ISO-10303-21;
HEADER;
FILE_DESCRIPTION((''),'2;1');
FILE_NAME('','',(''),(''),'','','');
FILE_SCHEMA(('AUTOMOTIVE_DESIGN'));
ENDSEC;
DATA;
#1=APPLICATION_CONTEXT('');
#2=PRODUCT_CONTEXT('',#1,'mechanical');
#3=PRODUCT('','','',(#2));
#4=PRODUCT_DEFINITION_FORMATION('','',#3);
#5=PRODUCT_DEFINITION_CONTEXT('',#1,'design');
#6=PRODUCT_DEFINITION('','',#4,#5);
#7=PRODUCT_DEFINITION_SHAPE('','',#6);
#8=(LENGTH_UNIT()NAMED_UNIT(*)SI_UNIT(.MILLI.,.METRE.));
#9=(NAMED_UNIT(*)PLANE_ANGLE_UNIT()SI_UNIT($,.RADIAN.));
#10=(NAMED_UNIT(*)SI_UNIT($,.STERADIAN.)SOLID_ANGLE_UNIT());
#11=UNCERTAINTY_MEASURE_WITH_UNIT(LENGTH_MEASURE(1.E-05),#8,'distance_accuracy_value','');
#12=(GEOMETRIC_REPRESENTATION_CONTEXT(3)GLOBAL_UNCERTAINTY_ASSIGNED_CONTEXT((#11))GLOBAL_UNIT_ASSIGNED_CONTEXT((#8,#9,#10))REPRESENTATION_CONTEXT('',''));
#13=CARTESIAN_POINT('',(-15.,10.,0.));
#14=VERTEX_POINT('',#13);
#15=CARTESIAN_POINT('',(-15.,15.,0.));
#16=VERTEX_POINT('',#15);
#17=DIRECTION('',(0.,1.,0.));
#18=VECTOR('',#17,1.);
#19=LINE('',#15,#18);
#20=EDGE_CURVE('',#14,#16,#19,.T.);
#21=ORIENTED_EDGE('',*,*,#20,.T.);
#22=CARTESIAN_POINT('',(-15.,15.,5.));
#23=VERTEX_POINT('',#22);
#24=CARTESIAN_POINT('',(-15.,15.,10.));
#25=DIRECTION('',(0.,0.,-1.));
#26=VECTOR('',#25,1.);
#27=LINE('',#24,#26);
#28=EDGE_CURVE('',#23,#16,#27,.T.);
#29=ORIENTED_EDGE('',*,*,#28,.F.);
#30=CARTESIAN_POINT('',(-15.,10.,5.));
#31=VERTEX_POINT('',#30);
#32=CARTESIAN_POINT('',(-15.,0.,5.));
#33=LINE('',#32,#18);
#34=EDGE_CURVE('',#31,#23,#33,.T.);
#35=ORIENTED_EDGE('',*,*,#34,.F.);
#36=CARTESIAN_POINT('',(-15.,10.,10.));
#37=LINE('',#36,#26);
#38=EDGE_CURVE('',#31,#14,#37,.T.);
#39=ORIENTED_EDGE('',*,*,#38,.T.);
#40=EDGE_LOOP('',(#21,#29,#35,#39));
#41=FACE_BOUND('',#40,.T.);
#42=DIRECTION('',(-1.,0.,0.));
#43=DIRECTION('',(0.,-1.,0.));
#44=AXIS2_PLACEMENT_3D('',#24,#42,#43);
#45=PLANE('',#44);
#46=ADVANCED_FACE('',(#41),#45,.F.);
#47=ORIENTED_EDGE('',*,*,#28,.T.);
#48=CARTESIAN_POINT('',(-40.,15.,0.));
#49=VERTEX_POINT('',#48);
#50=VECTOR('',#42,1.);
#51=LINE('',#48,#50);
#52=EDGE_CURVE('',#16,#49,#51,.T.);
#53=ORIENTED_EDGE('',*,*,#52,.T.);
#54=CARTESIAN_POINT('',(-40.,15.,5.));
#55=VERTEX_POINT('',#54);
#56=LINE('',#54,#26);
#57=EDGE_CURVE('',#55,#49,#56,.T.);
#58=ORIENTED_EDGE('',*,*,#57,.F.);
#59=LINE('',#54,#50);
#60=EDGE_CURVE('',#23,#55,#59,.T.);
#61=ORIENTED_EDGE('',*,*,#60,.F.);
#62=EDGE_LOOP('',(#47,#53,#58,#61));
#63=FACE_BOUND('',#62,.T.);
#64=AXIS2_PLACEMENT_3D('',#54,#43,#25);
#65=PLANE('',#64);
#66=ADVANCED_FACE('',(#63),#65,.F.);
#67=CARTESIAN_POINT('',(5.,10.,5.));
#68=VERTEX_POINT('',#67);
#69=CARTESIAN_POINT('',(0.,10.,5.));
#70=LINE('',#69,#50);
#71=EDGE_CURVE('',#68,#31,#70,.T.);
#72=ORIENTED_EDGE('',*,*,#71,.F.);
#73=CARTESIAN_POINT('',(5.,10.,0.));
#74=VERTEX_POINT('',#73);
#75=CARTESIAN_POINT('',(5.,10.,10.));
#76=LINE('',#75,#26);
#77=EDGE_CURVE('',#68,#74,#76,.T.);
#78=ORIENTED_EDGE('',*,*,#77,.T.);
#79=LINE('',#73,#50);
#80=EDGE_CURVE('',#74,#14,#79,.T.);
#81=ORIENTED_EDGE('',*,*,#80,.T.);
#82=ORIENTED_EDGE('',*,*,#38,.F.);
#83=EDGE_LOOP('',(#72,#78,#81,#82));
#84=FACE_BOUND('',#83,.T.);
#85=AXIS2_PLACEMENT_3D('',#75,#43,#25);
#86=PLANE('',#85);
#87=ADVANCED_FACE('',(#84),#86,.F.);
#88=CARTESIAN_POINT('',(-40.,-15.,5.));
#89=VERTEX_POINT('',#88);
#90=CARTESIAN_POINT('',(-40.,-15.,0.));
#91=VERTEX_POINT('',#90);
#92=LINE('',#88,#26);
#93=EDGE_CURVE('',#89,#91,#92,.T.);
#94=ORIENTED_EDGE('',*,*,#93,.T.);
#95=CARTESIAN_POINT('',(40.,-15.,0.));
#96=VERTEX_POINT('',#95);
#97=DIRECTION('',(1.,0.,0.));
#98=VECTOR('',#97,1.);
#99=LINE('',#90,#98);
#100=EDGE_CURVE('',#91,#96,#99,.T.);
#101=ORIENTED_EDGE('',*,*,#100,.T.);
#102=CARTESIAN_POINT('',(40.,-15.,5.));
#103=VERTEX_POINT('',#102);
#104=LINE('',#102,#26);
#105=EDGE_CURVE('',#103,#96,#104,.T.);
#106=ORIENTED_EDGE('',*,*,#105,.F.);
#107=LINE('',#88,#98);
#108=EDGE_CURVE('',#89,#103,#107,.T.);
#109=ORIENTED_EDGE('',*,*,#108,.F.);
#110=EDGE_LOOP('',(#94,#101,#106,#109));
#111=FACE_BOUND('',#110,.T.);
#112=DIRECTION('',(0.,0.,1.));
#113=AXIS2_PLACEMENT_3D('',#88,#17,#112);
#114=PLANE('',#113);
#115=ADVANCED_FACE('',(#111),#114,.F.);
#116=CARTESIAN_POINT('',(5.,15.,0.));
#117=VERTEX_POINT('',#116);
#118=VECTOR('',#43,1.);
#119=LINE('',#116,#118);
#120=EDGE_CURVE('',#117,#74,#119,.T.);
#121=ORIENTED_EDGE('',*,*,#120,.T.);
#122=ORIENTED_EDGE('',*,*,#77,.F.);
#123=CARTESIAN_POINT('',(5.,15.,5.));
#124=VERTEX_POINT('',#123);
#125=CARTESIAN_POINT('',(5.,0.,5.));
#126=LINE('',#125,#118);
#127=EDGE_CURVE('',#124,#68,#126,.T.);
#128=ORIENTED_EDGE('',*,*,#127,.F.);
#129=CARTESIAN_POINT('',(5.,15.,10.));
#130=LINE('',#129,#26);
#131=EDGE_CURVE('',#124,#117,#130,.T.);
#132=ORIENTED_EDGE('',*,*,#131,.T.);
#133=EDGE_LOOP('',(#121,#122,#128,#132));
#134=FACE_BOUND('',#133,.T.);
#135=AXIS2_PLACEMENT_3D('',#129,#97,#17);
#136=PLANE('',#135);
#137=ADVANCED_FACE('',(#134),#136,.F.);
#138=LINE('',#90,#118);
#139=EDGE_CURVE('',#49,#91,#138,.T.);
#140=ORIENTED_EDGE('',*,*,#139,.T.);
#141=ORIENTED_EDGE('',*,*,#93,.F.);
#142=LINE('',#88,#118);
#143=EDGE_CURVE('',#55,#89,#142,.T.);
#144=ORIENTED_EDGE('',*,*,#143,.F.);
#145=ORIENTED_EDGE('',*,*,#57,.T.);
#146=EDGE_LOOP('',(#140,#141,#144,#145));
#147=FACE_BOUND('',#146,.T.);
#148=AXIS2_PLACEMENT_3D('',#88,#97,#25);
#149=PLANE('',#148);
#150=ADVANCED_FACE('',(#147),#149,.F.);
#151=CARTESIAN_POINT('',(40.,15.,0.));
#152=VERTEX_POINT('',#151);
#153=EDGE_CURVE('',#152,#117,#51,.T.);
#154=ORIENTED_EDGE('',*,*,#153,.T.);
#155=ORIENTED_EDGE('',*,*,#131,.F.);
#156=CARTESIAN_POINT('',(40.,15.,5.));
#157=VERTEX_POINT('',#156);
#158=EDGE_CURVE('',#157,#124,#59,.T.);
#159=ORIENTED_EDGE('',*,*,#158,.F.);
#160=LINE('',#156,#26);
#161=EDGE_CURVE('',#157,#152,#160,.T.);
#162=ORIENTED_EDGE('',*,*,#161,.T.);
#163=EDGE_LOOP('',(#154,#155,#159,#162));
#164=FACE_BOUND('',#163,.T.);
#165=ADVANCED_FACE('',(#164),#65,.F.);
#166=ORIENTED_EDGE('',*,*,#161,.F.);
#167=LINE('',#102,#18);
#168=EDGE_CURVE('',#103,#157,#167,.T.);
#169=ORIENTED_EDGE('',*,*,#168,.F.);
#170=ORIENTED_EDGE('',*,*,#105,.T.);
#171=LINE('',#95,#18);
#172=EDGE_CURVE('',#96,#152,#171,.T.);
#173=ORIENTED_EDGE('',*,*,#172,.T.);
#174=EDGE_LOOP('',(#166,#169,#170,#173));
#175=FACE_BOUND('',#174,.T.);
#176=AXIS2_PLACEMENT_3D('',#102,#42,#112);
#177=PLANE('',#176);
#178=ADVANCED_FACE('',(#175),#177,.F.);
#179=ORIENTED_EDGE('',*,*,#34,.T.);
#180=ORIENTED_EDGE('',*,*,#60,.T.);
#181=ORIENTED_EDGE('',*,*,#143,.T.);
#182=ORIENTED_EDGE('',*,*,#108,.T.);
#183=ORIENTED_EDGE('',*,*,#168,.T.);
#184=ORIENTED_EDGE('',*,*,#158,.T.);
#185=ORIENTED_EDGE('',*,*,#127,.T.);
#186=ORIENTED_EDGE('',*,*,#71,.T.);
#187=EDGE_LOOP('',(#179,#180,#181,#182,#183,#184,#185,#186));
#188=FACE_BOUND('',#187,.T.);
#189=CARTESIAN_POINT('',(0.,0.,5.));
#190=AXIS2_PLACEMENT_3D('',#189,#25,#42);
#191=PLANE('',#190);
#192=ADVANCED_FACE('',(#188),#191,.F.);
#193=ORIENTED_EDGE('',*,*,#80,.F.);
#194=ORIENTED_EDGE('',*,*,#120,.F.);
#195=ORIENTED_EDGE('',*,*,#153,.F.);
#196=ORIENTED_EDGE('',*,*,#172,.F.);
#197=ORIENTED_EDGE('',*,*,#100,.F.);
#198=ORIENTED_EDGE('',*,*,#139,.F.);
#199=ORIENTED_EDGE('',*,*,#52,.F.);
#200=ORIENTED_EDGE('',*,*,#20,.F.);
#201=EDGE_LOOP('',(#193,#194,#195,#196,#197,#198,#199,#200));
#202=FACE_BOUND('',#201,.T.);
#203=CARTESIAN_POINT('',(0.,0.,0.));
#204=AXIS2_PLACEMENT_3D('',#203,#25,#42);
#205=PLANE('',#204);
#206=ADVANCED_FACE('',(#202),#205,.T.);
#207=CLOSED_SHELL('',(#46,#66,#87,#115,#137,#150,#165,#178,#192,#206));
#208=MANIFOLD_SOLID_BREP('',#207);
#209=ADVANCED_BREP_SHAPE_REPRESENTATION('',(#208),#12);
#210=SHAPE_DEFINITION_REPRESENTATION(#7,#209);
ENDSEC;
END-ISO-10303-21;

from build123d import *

# Parameters (mm, degrees)
SKETCH_1_W          = 80
SKETCH_1_H          = 30
EXTRUDE_1_DEPTH     = 5
SKETCH_2_W          = 20
SKETCH_2_H          = 5
CUT_EXTRUDE_1_DEPTH = 10


with BuildPart() as part:
    # 草图1 → 凸台-拉伸1 (new body)
    with BuildSketch(Plane.XY):
        Rectangle(SKETCH_1_W, SKETCH_1_H)
    extrude(amount=EXTRUDE_1_DEPTH)

    # 草图2 → 切除-拉伸1 (cut)
    with BuildSketch(Plane(origin=(0, 0, 0), x_dir=(-1, 0, 0), z_dir=(0, 0, -1))):
        with Locations((5, 12.5)):
            Rectangle(SKETCH_2_W, SKETCH_2_H)
    extrude(amount=-CUT_EXTRUDE_1_DEPTH, mode=Mode.SUBTRACT)


solid = part.part
